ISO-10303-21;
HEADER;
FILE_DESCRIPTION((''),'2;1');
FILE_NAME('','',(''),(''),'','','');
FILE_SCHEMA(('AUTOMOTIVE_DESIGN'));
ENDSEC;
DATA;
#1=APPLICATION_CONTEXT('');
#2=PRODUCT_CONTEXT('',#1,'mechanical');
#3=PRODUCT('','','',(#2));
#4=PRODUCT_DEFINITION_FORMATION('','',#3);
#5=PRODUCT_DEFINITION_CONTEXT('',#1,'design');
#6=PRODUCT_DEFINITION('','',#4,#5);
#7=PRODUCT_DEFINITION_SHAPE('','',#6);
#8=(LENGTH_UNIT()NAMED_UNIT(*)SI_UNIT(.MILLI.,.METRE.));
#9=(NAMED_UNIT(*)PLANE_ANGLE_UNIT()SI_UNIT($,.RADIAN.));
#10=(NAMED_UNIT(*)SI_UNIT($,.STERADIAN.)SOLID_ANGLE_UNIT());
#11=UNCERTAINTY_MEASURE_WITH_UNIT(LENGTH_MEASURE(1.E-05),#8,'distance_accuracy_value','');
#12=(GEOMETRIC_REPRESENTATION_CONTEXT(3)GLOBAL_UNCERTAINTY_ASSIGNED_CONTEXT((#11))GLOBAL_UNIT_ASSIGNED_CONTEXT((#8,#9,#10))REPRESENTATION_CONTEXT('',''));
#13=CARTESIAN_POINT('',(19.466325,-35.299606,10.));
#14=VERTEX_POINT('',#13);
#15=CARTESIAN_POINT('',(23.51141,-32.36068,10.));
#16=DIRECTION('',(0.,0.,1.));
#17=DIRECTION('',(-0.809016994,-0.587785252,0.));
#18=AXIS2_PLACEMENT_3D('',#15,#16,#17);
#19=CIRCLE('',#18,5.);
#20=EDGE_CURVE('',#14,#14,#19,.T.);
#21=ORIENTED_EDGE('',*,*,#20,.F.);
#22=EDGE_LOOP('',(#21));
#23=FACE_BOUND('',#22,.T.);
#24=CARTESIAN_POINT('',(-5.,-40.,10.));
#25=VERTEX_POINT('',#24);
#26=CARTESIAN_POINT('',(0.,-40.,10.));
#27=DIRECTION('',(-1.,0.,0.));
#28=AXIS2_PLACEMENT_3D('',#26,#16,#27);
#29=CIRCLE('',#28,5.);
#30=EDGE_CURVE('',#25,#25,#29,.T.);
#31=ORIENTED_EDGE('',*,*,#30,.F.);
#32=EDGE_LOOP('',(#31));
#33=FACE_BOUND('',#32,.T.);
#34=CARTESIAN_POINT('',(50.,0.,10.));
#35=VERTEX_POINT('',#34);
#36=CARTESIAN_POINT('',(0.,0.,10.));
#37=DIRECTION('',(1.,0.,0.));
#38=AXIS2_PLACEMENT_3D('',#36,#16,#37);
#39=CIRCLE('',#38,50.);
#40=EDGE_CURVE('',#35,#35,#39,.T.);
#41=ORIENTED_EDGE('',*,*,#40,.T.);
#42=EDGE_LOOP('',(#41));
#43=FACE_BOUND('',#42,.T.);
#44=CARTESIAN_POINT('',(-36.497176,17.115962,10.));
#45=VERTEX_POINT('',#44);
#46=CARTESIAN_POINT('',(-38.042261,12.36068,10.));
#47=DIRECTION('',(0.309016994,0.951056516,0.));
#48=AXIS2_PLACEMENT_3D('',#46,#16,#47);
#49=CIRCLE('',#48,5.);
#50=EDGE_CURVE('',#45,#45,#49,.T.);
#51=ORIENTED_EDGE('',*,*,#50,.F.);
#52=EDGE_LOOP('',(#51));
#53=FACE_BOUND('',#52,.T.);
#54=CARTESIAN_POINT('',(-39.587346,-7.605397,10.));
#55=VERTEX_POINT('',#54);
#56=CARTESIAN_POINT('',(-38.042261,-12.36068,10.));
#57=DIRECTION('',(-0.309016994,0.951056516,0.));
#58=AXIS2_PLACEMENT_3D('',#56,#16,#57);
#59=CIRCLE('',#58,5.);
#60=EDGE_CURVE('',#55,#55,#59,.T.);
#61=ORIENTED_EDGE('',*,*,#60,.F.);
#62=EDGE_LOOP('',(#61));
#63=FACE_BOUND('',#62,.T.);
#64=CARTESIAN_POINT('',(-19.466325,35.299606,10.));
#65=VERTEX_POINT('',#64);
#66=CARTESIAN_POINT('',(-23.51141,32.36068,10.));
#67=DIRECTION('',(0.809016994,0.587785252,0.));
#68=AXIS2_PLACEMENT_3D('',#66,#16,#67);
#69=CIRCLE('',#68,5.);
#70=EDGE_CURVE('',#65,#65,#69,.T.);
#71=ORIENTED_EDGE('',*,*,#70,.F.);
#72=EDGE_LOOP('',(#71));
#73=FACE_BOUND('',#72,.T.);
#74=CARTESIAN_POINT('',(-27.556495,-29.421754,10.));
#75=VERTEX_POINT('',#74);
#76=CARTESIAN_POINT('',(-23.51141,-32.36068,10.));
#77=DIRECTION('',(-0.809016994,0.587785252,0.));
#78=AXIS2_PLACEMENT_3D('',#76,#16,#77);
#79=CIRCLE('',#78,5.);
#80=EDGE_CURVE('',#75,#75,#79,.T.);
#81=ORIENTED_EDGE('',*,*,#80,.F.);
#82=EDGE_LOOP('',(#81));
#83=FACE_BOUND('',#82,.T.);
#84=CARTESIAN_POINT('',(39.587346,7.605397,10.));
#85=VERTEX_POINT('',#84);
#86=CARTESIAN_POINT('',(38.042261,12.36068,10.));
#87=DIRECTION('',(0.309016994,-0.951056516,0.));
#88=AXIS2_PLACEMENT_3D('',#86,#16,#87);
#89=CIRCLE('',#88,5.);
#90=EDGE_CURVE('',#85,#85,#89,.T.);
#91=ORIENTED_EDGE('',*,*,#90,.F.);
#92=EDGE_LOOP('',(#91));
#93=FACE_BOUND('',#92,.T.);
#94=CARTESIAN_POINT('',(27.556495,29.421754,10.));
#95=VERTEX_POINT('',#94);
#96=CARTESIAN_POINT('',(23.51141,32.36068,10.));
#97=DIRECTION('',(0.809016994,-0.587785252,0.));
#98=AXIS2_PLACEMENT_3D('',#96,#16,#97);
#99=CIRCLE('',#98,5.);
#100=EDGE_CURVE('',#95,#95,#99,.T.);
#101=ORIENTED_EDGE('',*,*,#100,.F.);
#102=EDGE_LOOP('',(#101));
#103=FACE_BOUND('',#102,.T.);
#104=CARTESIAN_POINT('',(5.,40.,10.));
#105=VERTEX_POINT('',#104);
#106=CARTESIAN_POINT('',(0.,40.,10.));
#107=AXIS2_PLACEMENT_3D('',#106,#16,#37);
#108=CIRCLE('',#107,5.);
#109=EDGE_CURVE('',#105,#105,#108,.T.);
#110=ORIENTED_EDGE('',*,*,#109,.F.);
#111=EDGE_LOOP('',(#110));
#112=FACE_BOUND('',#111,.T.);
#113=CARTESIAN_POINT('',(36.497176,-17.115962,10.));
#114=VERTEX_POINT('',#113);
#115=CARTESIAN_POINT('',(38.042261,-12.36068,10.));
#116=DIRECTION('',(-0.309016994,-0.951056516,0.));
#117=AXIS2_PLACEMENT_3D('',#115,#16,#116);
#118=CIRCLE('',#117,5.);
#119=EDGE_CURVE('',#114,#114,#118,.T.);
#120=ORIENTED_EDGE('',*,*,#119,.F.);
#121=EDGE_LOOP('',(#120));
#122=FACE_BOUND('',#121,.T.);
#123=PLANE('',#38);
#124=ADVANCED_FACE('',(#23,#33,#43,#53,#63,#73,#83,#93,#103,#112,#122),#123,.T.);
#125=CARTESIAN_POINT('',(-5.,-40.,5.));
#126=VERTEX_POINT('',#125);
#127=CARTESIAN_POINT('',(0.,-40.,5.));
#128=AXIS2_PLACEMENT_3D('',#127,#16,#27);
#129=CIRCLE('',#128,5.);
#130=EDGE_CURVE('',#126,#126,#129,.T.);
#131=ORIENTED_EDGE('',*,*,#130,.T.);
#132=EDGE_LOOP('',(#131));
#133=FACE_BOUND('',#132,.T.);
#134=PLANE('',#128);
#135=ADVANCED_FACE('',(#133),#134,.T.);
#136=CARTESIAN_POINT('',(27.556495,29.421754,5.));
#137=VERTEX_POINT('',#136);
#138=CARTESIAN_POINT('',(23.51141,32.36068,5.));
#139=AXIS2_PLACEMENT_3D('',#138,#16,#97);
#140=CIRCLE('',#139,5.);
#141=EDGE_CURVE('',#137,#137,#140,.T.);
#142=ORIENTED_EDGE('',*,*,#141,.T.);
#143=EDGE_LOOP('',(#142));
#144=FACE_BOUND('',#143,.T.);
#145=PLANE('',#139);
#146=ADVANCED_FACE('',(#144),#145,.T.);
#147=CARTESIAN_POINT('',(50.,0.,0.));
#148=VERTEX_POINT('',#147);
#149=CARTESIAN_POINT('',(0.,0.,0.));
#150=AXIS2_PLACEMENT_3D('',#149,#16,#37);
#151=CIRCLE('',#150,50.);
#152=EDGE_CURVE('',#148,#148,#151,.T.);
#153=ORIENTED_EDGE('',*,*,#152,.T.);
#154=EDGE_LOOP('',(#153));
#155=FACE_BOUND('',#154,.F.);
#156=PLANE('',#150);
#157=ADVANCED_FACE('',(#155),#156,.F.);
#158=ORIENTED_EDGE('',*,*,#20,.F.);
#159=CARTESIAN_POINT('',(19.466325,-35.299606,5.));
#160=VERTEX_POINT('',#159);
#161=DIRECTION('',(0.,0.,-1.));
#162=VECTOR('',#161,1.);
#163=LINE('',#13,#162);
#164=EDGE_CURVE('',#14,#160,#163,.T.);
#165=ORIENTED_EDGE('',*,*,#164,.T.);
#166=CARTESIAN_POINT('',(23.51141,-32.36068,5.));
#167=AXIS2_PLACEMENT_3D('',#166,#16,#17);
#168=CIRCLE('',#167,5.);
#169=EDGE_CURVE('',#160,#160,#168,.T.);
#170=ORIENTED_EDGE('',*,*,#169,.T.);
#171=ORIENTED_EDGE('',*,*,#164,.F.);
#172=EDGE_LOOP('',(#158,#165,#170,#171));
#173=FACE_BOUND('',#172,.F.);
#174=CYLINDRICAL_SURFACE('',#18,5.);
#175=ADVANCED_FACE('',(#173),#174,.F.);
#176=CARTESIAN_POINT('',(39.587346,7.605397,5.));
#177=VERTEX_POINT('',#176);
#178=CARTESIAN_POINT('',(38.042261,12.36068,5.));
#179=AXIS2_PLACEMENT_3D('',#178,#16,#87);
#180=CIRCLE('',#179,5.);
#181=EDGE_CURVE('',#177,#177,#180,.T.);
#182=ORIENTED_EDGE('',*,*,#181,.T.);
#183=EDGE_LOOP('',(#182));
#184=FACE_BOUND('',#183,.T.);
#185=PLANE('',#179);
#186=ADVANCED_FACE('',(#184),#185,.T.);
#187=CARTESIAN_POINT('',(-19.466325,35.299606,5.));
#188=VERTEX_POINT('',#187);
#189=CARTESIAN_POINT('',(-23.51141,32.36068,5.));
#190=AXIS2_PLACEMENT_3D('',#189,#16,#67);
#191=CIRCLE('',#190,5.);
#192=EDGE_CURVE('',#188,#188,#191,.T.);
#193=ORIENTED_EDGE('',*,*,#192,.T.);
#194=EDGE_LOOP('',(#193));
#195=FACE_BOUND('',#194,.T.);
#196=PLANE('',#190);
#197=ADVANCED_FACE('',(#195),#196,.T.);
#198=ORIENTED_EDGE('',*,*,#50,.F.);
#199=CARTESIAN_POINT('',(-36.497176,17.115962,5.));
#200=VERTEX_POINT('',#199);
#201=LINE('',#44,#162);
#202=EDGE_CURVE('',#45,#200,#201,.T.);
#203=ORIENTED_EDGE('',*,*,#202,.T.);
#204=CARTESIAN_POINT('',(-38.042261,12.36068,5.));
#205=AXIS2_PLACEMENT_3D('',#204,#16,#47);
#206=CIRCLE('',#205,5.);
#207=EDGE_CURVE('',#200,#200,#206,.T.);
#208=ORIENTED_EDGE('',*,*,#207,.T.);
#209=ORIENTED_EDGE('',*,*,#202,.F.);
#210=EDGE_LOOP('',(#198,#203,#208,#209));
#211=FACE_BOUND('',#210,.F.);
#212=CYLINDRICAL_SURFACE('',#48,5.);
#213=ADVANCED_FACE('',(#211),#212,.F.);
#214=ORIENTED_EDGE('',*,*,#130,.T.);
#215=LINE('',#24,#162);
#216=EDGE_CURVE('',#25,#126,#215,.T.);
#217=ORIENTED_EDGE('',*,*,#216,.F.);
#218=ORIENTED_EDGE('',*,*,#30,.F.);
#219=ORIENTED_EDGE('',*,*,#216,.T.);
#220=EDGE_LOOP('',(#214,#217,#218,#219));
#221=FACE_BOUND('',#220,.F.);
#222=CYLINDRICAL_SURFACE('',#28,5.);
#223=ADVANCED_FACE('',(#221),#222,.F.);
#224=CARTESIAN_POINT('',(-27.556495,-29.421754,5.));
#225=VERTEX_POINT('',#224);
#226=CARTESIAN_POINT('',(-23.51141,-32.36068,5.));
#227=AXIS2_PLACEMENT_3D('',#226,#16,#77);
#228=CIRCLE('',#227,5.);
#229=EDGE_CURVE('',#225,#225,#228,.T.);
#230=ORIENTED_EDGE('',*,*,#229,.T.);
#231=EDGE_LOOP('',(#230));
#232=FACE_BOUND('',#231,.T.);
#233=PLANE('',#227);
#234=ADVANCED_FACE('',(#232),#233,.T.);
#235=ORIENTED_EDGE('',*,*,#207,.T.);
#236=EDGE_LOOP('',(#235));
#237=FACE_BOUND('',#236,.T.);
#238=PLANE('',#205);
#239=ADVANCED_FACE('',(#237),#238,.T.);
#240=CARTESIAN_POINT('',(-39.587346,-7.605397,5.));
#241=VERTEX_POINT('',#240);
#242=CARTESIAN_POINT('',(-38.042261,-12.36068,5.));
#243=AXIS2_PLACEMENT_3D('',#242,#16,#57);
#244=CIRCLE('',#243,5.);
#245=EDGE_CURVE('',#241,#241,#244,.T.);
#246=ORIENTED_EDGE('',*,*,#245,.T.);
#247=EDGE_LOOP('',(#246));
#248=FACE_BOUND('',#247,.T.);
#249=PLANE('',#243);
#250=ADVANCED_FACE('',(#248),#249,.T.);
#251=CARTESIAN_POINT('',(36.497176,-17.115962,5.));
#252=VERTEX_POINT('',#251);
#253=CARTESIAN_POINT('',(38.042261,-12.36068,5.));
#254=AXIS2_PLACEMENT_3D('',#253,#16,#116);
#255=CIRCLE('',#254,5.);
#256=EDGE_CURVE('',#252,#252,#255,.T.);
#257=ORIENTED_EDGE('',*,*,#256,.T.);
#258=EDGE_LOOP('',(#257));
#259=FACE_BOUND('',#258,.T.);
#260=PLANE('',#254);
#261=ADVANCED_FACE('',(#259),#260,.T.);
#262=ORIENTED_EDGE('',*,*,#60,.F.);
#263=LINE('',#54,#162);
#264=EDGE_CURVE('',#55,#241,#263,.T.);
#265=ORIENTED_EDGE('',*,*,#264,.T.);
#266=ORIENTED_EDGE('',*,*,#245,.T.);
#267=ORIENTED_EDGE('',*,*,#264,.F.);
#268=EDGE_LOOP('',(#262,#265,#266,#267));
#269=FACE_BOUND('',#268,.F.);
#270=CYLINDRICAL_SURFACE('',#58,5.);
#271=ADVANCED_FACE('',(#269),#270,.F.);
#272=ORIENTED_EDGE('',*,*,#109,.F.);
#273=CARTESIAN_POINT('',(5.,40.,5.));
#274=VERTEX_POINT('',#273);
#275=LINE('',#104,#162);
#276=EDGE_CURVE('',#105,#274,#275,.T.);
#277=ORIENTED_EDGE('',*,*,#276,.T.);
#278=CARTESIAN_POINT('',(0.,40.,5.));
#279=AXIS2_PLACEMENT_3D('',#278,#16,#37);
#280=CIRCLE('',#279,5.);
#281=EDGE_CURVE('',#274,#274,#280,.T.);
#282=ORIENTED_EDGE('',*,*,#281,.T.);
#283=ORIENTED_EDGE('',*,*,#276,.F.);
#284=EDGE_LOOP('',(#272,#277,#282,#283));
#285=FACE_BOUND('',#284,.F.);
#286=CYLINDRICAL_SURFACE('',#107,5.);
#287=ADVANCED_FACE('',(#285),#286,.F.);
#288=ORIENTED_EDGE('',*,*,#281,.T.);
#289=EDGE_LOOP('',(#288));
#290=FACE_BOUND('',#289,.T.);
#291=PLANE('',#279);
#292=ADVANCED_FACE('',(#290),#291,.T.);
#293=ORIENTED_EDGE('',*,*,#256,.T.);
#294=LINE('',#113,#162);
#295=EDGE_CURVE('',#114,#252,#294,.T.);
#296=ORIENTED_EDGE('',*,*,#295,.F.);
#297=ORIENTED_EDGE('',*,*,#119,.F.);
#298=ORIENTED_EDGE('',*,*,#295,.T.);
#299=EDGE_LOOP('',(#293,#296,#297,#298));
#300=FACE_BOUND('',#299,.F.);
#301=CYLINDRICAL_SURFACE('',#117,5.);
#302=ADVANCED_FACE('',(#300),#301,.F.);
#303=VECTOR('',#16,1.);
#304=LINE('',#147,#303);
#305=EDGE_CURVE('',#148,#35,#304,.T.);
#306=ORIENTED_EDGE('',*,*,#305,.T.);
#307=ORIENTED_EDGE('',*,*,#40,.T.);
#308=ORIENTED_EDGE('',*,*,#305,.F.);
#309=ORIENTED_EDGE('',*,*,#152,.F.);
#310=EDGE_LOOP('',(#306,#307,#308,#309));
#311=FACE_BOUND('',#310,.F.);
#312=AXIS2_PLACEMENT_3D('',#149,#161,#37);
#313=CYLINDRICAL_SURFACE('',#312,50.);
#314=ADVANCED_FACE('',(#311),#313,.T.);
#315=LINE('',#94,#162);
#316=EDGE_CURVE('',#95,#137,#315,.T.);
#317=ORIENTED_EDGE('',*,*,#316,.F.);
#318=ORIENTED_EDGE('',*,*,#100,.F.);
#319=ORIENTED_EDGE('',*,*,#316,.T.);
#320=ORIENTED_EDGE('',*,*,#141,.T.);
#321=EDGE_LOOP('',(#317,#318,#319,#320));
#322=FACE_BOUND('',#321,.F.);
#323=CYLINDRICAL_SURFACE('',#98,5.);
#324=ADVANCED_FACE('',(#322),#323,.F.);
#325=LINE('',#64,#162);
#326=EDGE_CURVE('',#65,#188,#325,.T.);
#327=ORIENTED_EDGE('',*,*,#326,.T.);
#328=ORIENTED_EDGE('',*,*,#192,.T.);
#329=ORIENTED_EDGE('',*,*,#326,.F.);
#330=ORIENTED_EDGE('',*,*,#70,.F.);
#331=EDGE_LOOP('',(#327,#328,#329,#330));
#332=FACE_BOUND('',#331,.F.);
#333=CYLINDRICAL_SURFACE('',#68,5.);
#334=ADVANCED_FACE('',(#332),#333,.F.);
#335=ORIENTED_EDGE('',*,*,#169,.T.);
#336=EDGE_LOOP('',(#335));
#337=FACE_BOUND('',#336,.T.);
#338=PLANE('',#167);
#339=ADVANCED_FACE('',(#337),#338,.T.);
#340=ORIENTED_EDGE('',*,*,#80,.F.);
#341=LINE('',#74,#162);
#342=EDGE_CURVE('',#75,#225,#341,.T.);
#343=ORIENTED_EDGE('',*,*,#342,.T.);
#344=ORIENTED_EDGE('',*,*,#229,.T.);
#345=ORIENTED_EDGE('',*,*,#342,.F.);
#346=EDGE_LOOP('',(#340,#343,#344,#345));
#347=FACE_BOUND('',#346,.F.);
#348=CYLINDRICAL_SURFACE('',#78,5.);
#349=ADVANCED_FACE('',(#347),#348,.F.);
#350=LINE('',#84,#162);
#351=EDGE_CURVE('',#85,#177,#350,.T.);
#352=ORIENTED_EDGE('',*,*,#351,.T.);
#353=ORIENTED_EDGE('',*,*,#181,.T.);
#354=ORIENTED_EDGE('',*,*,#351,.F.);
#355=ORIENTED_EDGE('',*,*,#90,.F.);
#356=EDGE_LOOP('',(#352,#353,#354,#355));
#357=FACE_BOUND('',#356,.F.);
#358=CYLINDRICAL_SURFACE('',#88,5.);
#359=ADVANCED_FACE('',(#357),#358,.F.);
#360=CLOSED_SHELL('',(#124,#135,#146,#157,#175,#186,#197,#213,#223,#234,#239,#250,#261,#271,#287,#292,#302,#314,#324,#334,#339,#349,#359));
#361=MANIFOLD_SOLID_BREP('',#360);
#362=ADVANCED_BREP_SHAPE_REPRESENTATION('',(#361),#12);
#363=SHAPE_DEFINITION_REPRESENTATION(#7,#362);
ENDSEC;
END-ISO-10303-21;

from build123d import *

# Parameters (mm, degrees)
SKETCH_R           = 50
PAD_DEPTH          = 10
SKETCH001_R        = 5
POCKET_DEPTH       = 5
POLARPATTERN_COUNT = 10


with BuildPart() as part:
    # Sketch → Pad (new body)
    with BuildSketch(Plane.XY):
        Circle(SKETCH_R)
    extrude(amount=PAD_DEPTH)

    # Sketch001 (on Face3 of Pad) → Pocket (cut)
    with BuildSketch(Plane.XY.offset(10)):
        with Locations((0, 40)):
            Circle(SKETCH001_R)
    pocket = extrude(amount=-POCKET_DEPTH, mode=Mode.SUBTRACT)

    # PolarPattern: Pocket ×10 about axis
    polarpattern_axis = Axis((0, 0, 0), (0, 0, 1))
    for i in range(1, POLARPATTERN_COUNT):
        add(pocket.rotate(polarpattern_axis, i * 360 / POLARPATTERN_COUNT), mode=Mode.SUBTRACT)


solid = part.part
